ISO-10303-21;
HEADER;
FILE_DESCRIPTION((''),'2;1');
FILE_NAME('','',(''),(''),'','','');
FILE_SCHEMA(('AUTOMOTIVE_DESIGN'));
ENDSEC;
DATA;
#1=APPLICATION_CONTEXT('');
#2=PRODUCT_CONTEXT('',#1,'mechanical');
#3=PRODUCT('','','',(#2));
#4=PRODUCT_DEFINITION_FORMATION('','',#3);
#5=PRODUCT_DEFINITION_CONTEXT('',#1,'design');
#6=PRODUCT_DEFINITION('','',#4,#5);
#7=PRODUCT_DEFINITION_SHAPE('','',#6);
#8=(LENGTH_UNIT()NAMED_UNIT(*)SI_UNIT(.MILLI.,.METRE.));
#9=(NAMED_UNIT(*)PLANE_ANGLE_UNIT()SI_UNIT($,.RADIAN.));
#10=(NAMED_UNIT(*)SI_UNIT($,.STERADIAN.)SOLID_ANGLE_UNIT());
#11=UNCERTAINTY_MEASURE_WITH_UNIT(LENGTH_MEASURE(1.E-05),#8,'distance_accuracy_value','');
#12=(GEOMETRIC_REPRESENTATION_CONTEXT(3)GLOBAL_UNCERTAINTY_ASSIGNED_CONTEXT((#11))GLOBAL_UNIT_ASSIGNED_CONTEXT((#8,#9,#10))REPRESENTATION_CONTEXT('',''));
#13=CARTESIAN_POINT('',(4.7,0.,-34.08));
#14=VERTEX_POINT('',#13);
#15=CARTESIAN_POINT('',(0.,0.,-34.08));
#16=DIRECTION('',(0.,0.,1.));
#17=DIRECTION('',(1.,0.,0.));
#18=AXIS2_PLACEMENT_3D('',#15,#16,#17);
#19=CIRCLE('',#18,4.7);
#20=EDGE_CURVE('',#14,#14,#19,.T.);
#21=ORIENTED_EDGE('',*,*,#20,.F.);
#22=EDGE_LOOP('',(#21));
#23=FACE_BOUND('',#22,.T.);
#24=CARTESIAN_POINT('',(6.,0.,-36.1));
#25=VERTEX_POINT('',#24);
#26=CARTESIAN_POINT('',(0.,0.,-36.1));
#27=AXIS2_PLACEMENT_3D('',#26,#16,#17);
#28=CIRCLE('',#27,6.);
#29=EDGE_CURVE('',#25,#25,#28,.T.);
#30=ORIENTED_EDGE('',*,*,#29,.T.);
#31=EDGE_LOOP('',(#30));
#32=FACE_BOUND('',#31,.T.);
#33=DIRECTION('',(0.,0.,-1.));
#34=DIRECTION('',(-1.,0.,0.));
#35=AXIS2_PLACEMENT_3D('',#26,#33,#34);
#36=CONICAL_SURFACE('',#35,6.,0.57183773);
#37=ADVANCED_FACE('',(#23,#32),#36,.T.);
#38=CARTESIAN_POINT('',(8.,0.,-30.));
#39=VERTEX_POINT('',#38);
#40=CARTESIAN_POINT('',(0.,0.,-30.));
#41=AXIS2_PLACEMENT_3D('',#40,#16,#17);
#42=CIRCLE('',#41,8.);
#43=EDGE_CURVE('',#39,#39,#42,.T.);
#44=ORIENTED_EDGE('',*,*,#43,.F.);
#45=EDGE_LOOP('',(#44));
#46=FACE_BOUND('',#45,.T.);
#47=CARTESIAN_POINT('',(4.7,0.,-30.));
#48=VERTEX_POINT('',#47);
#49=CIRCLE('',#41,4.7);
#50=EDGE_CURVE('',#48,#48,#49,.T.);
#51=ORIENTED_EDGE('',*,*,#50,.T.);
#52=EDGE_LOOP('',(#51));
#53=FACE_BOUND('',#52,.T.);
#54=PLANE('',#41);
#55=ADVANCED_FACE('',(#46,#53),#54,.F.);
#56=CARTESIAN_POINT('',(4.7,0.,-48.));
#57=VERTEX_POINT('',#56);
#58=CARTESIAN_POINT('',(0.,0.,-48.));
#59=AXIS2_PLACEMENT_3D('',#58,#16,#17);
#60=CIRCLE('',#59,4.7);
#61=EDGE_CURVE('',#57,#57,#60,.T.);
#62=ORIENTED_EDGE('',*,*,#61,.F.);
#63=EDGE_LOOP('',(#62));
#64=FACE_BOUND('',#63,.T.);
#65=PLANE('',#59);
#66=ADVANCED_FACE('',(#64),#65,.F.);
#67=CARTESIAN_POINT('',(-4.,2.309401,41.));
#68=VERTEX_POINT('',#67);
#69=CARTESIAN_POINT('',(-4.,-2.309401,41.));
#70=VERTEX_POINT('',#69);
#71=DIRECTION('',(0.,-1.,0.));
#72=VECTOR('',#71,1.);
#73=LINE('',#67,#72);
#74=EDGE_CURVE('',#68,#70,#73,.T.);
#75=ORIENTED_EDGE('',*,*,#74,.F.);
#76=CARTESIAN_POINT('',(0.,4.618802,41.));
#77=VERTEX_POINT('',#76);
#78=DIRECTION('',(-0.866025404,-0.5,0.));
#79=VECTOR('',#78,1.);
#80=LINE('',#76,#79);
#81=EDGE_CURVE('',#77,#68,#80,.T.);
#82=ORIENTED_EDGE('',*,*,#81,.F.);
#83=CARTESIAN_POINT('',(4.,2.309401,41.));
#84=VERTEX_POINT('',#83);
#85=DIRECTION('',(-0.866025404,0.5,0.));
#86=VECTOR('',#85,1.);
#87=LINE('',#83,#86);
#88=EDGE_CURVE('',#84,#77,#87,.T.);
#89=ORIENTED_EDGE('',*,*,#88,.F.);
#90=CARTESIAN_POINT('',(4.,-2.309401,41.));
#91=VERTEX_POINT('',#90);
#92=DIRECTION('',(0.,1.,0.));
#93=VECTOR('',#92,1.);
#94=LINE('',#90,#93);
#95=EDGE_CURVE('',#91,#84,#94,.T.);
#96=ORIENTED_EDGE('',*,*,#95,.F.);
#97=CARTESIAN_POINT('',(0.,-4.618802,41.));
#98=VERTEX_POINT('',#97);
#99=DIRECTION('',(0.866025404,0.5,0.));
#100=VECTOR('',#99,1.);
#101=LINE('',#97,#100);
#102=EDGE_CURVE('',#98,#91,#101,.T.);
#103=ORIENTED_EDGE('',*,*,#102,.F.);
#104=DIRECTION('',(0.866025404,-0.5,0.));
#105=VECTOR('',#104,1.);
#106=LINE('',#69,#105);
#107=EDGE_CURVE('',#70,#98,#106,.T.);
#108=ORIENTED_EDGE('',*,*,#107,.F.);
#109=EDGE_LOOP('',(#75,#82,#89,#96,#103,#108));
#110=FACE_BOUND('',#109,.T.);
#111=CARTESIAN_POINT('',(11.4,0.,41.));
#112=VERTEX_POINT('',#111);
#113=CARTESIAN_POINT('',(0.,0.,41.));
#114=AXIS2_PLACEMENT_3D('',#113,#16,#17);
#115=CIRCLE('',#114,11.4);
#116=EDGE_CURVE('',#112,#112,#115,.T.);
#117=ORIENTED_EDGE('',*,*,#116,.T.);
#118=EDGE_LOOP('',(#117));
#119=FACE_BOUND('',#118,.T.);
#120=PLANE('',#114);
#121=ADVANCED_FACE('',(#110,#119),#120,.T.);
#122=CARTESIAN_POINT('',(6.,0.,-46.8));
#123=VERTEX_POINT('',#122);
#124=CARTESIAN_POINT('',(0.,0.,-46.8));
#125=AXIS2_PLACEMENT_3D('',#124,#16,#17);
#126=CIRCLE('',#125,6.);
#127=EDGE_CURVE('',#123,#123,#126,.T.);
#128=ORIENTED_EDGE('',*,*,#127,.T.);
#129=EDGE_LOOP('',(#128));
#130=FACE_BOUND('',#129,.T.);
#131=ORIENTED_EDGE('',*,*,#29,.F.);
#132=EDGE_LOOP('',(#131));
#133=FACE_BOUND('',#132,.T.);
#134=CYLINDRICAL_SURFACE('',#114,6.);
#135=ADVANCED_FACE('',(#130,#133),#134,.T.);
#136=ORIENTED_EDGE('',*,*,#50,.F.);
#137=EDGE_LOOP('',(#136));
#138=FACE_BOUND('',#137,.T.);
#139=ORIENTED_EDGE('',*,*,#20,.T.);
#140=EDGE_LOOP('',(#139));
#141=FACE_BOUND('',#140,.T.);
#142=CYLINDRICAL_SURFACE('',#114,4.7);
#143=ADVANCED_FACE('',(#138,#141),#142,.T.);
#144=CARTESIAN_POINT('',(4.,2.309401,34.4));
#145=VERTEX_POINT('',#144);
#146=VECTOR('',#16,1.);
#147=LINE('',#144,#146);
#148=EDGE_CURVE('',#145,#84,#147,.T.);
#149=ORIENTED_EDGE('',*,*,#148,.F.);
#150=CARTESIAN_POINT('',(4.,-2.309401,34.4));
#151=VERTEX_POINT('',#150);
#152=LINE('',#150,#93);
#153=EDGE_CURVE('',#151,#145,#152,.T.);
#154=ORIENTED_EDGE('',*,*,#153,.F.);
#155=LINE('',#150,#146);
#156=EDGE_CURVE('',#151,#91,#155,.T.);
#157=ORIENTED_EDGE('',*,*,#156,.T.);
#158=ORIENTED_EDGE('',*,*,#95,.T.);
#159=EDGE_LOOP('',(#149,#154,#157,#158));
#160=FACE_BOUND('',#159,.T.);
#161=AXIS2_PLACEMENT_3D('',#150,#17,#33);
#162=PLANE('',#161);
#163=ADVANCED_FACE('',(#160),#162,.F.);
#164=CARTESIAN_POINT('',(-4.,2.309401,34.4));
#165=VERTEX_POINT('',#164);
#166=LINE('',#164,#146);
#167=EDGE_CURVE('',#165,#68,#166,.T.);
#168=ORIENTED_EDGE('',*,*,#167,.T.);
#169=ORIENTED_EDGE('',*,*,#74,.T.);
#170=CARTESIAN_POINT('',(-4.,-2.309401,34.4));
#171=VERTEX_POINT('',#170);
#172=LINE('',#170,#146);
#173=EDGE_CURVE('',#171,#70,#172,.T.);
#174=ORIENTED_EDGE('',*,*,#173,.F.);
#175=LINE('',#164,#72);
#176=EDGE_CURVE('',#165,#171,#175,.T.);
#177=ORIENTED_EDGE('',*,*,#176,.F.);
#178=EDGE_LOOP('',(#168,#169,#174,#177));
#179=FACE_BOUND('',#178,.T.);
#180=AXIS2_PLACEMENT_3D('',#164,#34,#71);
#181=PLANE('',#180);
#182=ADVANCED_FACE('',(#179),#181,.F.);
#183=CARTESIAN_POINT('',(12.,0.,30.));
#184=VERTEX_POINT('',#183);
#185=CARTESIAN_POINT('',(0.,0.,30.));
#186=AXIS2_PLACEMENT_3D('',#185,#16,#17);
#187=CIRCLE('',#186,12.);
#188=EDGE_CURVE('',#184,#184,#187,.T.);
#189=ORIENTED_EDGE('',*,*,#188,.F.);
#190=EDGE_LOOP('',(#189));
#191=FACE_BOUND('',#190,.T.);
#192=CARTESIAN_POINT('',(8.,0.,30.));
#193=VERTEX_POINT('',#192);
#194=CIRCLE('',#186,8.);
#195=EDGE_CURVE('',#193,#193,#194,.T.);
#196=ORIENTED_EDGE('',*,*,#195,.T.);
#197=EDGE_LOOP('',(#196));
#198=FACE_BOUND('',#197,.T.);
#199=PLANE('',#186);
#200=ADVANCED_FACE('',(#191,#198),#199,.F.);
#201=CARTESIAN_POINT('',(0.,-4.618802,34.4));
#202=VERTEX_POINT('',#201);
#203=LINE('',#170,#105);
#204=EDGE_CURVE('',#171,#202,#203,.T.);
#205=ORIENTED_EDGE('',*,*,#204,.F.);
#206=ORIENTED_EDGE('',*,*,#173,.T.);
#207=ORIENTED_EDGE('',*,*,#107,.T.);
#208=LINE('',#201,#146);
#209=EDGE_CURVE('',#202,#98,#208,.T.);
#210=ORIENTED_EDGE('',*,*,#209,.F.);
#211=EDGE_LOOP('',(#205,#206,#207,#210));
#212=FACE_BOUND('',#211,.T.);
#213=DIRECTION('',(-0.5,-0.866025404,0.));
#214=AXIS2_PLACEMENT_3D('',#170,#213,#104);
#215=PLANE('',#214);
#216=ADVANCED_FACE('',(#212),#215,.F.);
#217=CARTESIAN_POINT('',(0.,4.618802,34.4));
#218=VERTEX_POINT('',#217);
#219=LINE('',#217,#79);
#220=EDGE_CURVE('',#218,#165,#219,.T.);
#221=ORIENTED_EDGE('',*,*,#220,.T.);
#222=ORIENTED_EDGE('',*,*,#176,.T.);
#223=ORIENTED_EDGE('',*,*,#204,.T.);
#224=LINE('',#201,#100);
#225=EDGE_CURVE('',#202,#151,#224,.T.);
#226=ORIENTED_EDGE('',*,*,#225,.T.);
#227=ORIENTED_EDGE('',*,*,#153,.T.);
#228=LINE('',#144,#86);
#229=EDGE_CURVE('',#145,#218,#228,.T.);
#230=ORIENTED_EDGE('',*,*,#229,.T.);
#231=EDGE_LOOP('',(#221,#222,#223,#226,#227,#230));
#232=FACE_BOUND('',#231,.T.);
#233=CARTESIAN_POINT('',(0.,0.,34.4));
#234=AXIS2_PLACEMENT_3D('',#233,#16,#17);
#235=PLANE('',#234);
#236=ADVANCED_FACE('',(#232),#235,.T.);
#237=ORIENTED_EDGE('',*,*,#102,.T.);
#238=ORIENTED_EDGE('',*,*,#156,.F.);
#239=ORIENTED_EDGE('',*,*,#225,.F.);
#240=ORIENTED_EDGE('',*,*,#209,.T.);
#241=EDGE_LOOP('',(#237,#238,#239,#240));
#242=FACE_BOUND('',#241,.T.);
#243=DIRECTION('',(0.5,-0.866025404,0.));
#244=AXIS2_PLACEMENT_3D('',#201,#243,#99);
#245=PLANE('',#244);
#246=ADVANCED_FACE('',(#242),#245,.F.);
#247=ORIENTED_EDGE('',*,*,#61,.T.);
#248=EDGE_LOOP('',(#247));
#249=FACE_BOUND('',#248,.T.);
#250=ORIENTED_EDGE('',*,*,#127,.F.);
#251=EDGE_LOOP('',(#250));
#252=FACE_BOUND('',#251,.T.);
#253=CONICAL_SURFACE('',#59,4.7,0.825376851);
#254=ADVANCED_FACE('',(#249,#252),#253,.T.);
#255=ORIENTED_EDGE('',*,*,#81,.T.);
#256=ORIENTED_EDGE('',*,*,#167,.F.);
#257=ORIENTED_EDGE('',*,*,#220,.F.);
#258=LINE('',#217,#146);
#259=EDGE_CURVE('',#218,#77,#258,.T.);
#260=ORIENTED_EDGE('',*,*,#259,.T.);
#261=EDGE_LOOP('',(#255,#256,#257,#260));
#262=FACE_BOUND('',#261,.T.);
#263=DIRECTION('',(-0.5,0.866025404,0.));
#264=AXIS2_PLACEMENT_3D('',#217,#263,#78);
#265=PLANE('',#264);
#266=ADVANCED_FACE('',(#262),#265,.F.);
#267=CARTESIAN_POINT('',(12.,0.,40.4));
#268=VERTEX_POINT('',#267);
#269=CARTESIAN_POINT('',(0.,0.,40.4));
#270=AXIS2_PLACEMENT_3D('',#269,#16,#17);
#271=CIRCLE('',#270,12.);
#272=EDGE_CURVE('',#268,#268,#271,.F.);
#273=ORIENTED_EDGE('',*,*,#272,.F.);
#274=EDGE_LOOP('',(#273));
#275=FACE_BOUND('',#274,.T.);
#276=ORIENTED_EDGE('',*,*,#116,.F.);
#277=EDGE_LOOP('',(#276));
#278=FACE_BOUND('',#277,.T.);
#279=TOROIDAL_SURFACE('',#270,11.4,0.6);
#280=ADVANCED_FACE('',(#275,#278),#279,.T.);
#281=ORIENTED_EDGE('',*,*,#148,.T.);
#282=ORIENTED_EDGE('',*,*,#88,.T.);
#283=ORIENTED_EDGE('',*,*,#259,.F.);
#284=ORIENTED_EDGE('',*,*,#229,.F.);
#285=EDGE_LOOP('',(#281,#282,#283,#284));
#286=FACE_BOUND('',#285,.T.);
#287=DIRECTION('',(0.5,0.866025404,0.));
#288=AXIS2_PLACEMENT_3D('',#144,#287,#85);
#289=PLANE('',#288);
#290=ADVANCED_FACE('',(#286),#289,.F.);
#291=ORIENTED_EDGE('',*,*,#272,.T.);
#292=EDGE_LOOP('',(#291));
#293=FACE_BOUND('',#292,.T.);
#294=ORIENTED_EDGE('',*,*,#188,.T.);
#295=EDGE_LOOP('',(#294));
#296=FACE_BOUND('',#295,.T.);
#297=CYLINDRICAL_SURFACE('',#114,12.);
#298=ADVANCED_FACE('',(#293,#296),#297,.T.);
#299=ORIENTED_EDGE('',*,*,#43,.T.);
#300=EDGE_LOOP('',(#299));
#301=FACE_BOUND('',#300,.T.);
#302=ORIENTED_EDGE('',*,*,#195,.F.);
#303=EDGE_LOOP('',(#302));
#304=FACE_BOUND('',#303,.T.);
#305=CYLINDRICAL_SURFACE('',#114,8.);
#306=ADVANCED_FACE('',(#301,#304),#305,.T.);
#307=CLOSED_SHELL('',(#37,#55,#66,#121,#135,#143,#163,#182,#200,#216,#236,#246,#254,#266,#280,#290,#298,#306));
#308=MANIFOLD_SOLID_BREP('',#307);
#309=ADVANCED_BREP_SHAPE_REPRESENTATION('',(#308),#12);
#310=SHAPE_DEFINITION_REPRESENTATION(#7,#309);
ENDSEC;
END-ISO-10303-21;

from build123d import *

# Parameters (mm, degrees)
SZKIC1_W                   = 4.7
SZKIC1_H                   = 4.08
WYTNIJ_WYCI_GNI_CIE1_DEPTH = 6.6
ZAOKR_GLENIE1_R            = 0.6


with BuildPart() as part:
    # Szkic1 → Obrót1 (revolve)
    with BuildSketch(Plane(origin=(0, 0, 0), x_dir=(1, 0, 0), z_dir=(0, 1, 0)), mode=Mode.PRIVATE) as obr_t1_sk:
        Polygon((0, -41), (0, -30), (-8, -30), (-12, -30), (-12, -41), align=None)
        Polygon((0, -30), (0, 30), (-4.7, 30), (-8, 30), (-8, -30), align=None)
        with Locations((-2.35, 32.04)):
            Rectangle(SZKIC1_W, SZKIC1_H)
        Polygon((-4.7, 34.08), (0, 34.08), (0, 48), (-4.7, 48), (-6, 46.8), (-6, 36.1), align=None)
    revolve(obr_t1_sk.sketch.rotate(Axis((0, 0, 41), (0, 0, -1)), 180), axis=Axis((0, 0, 41), (0, 0, -1)))

    # Szkic2 → Wytnij-wyciągnięcie1 (cut)
    with BuildSketch(Plane.XY.offset(41)):
        Polygon((4, 2.309401077), (0, 4.618802154), (-4, 2.309401077), (-4, -2.309401077), (0, -4.618802154), (4, -2.309401077), align=None)
    extrude(amount=-WYTNIJ_WYCI_GNI_CIE1_DEPTH, mode=Mode.SUBTRACT)

    # Zaokrąglenie1
    zaokr_glenie1_edges = [part.edges().sort_by_distance(p)[0] for p in [
        (-12, 0, 41),
    ]]
    fillet(zaokr_glenie1_edges, radius=ZAOKR_GLENIE1_R)


solid = part.part
